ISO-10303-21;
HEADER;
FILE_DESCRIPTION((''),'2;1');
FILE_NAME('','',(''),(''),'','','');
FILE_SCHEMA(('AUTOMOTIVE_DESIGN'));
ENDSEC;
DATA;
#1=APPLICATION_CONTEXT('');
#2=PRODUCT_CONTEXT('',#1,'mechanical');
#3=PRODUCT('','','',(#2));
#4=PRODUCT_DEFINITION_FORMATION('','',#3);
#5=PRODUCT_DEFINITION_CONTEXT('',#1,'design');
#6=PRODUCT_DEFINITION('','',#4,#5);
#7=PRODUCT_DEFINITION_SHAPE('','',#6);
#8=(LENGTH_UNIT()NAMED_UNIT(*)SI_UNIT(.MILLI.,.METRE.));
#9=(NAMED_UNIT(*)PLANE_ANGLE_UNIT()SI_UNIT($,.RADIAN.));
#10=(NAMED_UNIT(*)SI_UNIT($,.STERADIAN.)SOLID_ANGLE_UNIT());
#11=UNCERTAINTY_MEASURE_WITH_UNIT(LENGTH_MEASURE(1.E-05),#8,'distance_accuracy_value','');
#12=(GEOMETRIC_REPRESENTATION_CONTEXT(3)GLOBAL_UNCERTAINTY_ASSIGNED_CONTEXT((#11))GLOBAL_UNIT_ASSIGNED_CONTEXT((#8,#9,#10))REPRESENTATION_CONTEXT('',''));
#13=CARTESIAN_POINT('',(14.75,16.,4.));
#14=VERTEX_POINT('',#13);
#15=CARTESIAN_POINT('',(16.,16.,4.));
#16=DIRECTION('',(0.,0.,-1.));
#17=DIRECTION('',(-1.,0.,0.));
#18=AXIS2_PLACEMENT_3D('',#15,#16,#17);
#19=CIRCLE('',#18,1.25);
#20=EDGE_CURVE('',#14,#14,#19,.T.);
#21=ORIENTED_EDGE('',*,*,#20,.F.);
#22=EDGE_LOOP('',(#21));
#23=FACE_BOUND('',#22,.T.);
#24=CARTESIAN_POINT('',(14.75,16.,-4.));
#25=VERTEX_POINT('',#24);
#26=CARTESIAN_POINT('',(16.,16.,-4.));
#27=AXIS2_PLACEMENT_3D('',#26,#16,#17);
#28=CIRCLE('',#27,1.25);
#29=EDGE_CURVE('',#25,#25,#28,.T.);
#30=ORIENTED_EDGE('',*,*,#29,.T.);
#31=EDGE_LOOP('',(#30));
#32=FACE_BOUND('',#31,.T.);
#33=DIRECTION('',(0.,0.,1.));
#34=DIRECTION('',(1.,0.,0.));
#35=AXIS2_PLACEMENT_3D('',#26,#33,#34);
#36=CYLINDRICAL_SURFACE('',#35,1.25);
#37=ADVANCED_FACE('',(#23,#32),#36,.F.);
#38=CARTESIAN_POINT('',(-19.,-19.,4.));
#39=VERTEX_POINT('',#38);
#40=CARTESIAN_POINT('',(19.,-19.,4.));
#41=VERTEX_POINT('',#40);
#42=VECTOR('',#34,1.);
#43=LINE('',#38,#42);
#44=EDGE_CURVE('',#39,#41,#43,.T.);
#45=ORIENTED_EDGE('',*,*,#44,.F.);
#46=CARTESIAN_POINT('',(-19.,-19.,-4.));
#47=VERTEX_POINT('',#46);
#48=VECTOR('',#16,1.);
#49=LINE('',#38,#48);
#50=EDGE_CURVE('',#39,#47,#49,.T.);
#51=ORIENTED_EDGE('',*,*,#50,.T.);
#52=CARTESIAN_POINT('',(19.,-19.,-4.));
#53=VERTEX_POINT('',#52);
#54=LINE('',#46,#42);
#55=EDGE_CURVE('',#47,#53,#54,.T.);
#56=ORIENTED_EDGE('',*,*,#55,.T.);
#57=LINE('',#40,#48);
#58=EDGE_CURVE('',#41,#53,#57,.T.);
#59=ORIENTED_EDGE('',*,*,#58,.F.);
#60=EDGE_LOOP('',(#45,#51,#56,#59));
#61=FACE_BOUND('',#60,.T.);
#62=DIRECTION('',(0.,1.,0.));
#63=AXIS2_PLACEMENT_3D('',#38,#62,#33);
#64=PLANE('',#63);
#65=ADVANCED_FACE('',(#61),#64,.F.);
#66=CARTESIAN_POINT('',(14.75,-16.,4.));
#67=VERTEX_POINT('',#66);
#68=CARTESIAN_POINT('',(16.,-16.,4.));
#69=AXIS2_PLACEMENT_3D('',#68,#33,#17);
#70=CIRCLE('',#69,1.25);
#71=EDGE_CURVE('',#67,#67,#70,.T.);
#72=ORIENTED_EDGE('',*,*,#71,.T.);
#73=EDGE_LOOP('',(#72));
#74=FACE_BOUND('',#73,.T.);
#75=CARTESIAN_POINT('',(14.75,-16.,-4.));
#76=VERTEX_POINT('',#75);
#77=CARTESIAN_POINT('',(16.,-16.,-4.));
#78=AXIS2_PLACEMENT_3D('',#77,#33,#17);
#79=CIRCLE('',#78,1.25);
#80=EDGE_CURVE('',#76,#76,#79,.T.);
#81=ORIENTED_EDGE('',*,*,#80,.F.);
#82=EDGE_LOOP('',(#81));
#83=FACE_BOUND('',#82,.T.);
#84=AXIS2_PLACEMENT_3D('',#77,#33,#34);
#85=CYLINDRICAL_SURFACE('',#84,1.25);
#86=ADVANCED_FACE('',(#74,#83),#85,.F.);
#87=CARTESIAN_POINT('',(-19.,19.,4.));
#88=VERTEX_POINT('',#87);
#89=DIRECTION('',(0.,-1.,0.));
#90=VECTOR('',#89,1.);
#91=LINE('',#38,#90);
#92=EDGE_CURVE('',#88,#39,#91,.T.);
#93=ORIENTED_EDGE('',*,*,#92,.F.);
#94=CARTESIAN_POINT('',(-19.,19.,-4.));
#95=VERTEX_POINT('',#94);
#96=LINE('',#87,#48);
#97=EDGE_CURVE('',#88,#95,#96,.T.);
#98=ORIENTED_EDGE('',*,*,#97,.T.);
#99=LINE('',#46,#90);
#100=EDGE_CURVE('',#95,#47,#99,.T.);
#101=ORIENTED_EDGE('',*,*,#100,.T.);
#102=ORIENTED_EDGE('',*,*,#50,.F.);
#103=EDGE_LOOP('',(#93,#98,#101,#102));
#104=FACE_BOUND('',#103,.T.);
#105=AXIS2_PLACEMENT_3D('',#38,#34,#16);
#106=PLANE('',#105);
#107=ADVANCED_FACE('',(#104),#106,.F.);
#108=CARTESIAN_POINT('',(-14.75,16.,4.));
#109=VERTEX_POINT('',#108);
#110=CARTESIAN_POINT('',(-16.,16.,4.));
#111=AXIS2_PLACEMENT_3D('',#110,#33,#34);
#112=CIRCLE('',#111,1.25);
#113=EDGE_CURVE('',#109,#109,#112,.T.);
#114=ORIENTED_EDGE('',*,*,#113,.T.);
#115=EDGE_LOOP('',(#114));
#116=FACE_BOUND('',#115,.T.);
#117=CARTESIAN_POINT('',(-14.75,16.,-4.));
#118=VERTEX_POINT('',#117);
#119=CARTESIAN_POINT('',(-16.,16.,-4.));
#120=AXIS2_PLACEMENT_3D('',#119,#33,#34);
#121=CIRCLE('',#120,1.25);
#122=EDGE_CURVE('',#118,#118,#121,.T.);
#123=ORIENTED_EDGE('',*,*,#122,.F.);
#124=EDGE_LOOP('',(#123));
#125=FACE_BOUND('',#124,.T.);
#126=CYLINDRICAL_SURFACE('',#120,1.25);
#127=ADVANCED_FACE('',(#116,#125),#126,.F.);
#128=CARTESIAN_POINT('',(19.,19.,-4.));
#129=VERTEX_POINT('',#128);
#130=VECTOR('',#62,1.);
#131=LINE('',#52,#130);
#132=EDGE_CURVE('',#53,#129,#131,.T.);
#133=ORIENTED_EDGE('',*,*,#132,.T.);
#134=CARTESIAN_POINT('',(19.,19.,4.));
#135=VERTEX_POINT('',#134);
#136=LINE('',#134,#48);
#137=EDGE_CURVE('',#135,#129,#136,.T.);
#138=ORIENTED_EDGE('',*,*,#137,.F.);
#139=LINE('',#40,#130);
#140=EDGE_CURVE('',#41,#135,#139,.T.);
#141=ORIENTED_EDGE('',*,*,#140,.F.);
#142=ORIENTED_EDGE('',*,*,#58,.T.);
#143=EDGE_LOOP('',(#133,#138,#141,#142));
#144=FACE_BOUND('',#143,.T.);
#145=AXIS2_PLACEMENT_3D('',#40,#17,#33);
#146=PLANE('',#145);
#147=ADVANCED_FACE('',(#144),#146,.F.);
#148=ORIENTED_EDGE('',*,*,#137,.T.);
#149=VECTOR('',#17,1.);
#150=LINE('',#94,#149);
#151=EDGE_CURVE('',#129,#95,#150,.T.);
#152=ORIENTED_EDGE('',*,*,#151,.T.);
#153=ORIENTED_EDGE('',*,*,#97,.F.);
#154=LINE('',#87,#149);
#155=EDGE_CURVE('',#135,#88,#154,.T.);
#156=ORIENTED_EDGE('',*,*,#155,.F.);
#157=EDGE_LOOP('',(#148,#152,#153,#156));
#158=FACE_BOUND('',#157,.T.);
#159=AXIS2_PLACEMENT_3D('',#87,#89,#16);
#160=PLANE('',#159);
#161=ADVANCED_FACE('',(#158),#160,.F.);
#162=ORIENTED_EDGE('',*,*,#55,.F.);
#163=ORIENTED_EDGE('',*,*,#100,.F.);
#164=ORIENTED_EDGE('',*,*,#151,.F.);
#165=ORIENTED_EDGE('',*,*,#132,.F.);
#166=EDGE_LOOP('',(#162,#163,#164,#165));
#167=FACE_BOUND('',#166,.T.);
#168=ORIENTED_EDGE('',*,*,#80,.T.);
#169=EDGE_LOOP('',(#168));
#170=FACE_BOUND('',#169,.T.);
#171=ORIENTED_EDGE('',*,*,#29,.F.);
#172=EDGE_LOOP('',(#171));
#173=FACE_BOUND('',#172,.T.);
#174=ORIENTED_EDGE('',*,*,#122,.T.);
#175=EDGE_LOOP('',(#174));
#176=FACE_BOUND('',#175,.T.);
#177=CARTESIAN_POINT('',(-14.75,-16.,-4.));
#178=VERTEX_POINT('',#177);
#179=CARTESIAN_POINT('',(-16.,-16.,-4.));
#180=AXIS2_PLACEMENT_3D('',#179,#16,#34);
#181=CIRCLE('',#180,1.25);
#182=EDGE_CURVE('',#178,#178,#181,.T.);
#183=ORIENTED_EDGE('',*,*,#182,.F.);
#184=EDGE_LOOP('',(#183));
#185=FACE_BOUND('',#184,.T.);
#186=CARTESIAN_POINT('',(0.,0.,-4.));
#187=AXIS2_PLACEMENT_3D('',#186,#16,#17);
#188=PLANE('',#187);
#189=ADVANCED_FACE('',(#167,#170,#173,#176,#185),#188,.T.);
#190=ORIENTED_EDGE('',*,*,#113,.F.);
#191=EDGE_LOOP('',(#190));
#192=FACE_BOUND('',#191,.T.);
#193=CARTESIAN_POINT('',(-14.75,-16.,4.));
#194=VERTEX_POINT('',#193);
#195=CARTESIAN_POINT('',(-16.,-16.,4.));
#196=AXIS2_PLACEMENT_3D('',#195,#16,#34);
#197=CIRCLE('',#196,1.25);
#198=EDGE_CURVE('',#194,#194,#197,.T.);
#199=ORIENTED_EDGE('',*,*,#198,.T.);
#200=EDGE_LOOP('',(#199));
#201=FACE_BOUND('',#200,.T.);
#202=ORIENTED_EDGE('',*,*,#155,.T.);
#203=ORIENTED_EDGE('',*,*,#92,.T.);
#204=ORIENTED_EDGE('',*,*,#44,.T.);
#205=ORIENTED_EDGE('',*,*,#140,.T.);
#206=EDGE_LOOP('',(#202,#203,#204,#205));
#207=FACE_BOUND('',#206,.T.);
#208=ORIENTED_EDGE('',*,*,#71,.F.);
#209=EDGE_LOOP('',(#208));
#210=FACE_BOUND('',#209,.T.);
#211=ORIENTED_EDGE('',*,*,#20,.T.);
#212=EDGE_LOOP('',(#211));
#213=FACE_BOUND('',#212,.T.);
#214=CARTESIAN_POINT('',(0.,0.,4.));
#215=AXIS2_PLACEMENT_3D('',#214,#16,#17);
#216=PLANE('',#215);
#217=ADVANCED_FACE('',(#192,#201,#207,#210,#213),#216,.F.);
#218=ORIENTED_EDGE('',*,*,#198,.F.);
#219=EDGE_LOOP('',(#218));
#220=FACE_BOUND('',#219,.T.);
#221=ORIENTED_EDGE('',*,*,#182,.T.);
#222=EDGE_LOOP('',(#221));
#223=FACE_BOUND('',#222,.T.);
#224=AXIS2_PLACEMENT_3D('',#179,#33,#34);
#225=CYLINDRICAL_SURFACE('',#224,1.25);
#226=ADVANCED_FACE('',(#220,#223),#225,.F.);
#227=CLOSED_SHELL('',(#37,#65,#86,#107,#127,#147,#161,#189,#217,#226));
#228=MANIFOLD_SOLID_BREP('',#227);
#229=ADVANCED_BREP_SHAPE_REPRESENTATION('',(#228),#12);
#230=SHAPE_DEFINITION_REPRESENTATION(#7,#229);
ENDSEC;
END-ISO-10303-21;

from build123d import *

# Parameters (mm, degrees)
SKETCH1_W               = 38
SKETCH1_H               = 38
BOSS_EXTRUDE1_DEPTH     = 4
SKETCH2_R               = 1.25
CUT_EXTRUDE1_DEPTH      = 9
MIRROR2_COPY_1_SKETCH_R = 1.25
MIRROR2_COPY_1_DEPTH    = 9


with BuildPart() as part:
    # Sketch1 → Boss-Extrude1 (new body, symmetric)
    with BuildSketch(Plane.XY):
        Rectangle(SKETCH1_W, SKETCH1_H)
    extrude(amount=BOSS_EXTRUDE1_DEPTH, both=True)

    # Sketch2 → Cut-Extrude1 (cut, through all)
    with BuildSketch(Plane.XY.offset(4)):
        with Locations((-16, 16)):
            Circle(SKETCH2_R)
    cut_extrude1 = extrude(amount=-CUT_EXTRUDE1_DEPTH, mode=Mode.SUBTRACT)

    # Mirror1: Cut-Extrude1 across plane
    add(cut_extrude1.mirror(Plane.ZX), mode=Mode.SUBTRACT)

    # Mirror2: Cut-Extrude1 across plane
    add(cut_extrude1.mirror(Plane(origin=(0, 0, 0), x_dir=(0, 0, 1), z_dir=(1, 0, 0))), mode=Mode.SUBTRACT)

    # Mirror2 copy 1 sketch → Mirror2 copy 1 (cut, through all)
    with BuildSketch(Plane(origin=(0, 0, 4), x_dir=(-1, 0, 0), z_dir=(0, 0, 1))):
        with Locations((-16, 16)):
            Circle(MIRROR2_COPY_1_SKETCH_R)
    extrude(amount=-MIRROR2_COPY_1_DEPTH, mode=Mode.SUBTRACT)


solid = part.part
